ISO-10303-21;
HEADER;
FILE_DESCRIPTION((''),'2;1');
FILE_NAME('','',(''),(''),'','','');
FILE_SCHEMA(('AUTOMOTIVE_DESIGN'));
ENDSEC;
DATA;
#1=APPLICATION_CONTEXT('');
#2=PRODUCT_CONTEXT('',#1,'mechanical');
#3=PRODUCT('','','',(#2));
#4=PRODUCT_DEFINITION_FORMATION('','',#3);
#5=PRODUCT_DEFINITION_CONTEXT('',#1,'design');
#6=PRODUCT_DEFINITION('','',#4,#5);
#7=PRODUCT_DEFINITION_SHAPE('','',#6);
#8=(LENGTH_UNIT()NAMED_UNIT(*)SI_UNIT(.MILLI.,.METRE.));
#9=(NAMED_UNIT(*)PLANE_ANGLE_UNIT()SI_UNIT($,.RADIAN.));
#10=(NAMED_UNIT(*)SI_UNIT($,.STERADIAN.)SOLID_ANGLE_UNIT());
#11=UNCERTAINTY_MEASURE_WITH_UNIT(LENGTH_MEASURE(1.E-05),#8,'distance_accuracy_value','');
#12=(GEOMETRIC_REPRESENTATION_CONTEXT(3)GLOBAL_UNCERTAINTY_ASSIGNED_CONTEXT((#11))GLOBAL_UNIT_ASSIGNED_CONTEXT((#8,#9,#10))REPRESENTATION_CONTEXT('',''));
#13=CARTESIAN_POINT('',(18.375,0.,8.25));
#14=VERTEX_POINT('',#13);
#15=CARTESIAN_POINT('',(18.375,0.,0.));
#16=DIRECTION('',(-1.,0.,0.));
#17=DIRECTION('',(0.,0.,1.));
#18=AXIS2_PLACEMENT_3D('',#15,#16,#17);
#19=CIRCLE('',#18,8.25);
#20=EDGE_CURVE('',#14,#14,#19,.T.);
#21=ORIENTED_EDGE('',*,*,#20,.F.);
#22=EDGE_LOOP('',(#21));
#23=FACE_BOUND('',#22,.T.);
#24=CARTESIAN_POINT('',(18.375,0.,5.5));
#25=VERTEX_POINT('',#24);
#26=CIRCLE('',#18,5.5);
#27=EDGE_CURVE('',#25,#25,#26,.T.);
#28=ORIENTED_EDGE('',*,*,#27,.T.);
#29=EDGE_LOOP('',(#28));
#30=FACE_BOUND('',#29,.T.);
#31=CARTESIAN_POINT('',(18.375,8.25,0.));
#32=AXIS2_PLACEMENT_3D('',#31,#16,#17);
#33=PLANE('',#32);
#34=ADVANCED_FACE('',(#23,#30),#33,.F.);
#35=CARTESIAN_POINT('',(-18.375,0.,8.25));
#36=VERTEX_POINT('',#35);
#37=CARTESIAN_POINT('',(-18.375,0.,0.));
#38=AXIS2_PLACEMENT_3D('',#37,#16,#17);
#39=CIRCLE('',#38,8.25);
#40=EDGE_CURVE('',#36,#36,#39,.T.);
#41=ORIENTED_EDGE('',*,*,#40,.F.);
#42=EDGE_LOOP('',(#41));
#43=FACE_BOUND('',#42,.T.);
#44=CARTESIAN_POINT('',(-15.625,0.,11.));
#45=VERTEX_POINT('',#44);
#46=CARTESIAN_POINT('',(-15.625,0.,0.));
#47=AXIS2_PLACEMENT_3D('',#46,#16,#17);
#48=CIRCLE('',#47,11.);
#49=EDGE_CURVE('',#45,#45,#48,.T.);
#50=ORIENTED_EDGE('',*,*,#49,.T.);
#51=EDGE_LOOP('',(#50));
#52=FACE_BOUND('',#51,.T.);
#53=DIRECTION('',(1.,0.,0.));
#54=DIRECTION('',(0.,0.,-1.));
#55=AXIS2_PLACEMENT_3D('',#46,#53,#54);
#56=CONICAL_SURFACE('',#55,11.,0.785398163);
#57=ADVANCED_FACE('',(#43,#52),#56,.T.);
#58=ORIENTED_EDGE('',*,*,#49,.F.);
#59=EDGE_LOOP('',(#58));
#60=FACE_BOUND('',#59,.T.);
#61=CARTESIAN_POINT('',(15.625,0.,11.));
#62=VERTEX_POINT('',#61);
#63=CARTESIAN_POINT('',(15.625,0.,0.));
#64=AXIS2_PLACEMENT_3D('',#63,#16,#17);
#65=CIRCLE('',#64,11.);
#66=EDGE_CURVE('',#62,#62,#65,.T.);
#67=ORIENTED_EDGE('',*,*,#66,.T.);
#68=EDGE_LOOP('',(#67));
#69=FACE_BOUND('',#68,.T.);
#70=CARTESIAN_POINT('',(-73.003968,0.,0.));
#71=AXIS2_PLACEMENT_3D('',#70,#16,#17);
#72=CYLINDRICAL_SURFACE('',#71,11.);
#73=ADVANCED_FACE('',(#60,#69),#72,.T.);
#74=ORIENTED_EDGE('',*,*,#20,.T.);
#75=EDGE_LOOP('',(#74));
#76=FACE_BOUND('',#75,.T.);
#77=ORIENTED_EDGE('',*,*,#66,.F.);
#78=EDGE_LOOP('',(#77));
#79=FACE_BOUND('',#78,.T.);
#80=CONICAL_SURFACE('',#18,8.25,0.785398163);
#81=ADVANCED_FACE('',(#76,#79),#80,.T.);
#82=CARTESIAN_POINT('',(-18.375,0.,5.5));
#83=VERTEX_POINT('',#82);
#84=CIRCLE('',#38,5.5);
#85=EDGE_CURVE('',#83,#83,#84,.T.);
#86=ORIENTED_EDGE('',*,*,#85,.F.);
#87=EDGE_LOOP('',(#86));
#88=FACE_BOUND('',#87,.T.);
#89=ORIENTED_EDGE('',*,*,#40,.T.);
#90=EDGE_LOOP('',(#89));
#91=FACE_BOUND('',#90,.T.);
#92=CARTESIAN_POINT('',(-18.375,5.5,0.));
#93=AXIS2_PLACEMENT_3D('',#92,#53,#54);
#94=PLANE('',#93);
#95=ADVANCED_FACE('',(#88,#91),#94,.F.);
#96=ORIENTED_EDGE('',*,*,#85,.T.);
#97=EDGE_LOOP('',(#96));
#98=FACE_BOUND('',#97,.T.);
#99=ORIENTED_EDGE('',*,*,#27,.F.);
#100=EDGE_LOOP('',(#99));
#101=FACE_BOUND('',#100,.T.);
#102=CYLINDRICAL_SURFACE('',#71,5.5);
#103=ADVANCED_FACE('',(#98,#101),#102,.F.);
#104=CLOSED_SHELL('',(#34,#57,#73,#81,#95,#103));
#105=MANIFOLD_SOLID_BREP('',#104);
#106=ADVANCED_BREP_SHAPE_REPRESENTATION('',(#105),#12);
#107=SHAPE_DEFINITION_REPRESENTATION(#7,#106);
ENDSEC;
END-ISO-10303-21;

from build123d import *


with BuildPart() as part:
    # Sketch1 → Revolve1 (revolve)
    with BuildSketch(Plane.XY, mode=Mode.PRIVATE) as revolve1_sk:
        Polygon((-18.375, 5.5), (-18.375, 8.25), (-15.625, 11), (15.625, 11), (18.375, 8.25), (18.375, 5.5), align=None)
    revolve(revolve1_sk.sketch.rotate(Axis((-73.003968473, 0, 0), (1, 0, 0)), 90), axis=Axis((-73.003968473, 0, 0), (1, 0, 0)))


solid = part.part
